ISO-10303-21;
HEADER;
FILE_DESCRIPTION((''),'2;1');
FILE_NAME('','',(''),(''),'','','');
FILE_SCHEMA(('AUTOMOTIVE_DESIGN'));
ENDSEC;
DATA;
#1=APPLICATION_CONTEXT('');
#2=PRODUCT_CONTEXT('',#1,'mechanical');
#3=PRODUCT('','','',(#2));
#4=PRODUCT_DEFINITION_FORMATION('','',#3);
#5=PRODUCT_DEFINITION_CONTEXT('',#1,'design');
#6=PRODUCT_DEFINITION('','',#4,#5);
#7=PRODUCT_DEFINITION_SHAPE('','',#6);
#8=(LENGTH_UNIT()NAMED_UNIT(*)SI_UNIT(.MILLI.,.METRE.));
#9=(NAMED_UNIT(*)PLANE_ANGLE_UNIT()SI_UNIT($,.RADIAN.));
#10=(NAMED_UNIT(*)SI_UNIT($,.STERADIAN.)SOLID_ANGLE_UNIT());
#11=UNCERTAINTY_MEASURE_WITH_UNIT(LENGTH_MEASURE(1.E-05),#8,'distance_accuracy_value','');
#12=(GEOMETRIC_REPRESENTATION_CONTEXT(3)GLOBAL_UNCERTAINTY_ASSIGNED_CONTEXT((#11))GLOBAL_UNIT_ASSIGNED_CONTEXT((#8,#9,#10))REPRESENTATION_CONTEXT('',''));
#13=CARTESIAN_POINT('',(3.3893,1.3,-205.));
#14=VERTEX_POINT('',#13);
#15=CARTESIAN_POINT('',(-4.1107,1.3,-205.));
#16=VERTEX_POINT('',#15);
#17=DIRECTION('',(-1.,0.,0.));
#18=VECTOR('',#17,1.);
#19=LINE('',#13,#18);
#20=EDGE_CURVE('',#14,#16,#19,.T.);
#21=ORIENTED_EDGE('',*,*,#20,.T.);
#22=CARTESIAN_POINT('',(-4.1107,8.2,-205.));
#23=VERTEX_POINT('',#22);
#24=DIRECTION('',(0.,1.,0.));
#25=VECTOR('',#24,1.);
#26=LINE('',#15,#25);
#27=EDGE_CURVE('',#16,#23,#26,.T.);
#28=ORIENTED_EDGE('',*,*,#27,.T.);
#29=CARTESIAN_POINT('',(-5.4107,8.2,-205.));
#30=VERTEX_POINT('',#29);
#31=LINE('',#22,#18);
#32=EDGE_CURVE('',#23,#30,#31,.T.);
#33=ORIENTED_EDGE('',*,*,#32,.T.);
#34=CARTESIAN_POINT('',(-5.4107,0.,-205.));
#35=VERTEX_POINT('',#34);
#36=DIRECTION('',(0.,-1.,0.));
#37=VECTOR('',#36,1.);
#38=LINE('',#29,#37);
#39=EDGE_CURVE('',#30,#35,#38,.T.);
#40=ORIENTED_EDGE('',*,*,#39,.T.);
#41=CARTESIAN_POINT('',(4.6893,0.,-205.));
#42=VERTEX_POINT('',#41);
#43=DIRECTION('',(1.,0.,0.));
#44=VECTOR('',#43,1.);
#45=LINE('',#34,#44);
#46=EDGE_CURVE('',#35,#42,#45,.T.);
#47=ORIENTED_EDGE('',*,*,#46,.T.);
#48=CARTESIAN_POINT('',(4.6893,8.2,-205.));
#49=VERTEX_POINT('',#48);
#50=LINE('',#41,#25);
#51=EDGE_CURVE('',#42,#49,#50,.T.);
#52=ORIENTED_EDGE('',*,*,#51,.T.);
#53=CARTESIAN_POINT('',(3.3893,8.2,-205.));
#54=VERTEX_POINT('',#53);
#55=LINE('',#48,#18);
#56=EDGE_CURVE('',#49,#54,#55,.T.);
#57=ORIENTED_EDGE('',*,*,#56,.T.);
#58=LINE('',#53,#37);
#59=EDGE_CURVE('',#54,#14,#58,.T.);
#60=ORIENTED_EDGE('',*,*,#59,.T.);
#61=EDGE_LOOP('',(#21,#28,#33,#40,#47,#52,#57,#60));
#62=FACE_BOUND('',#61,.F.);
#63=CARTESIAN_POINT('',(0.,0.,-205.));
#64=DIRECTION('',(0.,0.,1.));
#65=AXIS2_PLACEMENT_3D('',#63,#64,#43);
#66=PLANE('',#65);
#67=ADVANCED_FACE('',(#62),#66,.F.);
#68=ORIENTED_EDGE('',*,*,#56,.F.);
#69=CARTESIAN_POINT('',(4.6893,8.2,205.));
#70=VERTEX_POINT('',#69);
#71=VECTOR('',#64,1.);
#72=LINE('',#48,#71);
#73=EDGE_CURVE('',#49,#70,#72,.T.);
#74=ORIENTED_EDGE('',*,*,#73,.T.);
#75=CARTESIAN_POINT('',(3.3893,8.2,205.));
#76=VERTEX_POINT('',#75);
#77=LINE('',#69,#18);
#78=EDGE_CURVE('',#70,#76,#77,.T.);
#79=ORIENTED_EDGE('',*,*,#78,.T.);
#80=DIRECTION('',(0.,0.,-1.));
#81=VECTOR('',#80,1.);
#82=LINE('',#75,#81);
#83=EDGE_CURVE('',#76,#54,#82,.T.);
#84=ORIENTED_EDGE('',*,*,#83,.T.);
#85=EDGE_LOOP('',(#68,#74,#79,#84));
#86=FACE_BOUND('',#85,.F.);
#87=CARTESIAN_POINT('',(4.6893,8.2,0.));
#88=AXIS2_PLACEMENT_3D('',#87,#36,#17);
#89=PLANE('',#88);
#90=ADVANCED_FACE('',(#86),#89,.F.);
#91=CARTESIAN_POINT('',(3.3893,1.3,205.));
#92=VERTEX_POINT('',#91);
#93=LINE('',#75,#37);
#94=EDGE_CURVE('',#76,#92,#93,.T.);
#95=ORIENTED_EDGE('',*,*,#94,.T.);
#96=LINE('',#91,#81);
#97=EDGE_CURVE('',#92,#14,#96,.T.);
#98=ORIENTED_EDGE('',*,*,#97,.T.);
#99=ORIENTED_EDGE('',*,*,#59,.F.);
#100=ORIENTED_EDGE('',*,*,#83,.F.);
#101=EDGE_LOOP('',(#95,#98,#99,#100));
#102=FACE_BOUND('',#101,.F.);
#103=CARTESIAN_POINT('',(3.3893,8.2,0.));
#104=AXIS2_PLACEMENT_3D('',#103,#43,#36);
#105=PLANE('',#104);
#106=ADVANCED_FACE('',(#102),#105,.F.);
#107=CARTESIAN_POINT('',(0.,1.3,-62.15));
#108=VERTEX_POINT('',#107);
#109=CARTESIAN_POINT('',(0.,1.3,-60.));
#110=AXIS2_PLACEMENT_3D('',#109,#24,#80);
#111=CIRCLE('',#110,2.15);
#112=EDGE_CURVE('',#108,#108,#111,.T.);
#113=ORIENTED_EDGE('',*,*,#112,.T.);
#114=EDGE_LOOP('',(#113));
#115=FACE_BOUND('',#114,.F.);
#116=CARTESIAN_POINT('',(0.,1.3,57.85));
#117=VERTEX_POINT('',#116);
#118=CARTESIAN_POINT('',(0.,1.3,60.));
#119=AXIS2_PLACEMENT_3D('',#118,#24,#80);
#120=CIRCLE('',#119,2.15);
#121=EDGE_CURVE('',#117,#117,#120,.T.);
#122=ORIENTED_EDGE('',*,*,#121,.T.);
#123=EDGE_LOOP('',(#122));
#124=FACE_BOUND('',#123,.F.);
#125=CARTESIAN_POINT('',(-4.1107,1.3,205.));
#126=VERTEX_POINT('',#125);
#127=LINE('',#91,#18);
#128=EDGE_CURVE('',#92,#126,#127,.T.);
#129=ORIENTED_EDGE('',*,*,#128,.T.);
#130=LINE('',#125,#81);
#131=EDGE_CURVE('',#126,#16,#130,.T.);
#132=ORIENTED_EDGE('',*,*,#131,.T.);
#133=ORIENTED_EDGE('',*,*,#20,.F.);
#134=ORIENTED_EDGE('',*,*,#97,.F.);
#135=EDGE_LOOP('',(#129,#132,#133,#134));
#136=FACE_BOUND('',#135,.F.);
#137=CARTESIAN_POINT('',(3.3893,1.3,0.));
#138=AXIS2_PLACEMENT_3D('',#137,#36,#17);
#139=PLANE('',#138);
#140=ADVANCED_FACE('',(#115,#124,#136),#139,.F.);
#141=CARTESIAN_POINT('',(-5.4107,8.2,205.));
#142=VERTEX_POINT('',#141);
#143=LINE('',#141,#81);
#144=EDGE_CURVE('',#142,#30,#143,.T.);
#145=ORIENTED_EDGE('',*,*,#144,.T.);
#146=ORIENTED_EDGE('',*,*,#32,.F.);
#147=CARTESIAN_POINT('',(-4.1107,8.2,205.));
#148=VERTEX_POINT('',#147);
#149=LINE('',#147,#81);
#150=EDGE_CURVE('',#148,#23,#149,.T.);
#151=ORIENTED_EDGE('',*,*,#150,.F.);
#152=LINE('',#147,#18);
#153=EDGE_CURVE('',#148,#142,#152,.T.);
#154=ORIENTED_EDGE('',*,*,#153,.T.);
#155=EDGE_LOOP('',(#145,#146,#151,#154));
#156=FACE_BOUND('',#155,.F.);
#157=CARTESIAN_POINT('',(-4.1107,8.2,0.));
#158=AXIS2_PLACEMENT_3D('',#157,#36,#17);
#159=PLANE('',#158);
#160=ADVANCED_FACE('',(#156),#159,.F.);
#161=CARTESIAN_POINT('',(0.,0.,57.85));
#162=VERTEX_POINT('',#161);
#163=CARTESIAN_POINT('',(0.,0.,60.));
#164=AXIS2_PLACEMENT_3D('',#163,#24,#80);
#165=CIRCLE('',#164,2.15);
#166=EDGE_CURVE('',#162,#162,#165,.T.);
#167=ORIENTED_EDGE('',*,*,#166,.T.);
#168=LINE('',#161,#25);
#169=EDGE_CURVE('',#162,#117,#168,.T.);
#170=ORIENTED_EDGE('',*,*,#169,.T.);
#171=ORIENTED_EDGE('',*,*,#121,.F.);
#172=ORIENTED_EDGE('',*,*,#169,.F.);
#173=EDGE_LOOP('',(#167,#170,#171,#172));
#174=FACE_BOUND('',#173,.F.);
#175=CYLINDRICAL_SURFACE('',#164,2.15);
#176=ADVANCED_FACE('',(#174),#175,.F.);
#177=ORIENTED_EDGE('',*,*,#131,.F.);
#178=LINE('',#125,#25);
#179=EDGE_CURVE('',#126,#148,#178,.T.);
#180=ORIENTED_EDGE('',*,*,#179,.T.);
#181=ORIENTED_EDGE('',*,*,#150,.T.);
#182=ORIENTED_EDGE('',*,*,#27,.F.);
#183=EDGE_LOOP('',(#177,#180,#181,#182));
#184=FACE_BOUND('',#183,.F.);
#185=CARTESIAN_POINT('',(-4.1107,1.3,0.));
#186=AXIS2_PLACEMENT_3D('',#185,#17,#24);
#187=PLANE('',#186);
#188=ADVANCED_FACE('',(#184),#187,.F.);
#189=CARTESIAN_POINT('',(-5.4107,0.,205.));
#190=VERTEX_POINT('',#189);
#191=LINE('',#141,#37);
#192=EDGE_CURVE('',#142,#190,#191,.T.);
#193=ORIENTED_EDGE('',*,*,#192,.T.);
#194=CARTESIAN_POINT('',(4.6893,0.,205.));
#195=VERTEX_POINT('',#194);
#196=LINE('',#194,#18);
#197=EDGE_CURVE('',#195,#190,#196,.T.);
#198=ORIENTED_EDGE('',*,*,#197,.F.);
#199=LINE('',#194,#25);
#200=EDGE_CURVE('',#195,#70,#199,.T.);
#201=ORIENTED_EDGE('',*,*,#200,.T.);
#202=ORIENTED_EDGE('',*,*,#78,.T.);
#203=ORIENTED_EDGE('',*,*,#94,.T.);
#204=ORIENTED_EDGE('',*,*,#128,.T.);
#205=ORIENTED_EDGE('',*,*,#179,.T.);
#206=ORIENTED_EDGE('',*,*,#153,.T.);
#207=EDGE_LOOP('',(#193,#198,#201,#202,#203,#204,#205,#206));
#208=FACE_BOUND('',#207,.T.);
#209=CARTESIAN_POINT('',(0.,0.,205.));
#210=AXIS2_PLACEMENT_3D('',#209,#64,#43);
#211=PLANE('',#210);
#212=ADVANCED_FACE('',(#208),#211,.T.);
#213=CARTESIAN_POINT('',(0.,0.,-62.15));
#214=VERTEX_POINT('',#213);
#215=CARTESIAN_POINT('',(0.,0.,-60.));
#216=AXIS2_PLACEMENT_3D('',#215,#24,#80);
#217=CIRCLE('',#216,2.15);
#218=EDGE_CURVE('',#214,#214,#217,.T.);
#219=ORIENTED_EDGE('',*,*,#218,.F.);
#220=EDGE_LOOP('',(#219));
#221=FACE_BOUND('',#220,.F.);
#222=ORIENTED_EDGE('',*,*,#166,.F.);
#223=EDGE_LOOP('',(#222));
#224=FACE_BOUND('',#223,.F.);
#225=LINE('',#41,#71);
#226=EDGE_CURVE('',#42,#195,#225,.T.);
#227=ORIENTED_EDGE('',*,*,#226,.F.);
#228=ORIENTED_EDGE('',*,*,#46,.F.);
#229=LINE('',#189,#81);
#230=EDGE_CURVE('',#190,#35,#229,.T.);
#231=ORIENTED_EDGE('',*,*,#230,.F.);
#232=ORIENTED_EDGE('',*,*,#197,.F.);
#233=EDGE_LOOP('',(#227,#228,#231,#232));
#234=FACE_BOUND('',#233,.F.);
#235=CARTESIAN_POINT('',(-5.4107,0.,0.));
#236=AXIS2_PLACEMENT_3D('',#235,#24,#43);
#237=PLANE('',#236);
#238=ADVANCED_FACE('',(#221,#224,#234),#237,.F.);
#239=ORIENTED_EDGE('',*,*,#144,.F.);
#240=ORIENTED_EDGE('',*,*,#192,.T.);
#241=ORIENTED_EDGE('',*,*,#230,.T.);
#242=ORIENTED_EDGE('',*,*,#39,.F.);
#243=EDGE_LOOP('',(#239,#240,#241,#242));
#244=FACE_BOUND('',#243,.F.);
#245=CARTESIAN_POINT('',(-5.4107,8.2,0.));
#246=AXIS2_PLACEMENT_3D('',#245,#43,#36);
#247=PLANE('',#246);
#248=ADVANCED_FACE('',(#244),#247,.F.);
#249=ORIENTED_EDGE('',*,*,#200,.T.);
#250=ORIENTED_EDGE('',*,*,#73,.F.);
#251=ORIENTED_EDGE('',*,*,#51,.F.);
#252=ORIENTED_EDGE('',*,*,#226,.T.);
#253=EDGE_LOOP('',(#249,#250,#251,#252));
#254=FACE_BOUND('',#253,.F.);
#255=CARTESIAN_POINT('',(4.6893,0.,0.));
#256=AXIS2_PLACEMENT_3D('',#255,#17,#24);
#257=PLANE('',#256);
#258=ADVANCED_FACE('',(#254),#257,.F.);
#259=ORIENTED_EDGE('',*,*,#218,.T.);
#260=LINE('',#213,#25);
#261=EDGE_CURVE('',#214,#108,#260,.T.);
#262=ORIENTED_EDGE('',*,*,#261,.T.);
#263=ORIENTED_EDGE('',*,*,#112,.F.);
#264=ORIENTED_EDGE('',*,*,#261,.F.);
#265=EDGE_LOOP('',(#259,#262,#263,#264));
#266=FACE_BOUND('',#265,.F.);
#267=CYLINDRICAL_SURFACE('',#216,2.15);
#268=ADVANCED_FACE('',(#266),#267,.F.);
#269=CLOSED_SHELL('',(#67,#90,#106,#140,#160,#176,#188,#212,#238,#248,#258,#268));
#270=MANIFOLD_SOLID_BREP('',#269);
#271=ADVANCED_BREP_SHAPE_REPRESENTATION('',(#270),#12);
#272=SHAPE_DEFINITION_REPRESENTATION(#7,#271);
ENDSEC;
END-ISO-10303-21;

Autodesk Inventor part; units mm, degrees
ref_plane "YZ Plane" through (0, 0, 0) normal (1, 0, 0) x (0, 1, 0)
ref_plane "XZ Plane" through (0, 0, 0) normal (0, 1, 0) x (-1, 0, 0)
ref_plane "XY Plane" through (0, 0, 0) normal (0, 0, 1) x (1, 0, 0)
sketch "Skizze1" plane through (0, 0, 0) normal (0, 0, 1) x (1, 0, 0)
  line L0 (0, 0) -> (4.6893, 0)
  line L1 (4.6893, 0) -> (4.6893, 8.2)
  line L2 (4.6893, 8.2) -> (3.3893, 8.2)
  line L3 (3.3893, 8.2) -> (3.3893, 1.3)
  line L4 (3.3893, 1.3) -> (-4.1107, 1.3)
  line L5 (-4.1107, 1.3) -> (-4.1107, 8.2)
  line L6 (-4.1107, 8.2) -> (-5.4107, 8.2)
  line L7 (-5.4107, 8.2) -> (-5.4107, 0)
  line L8 (-5.4107, 0) -> (0, 0)
  line L9 (0, 8.5935) -> (0, -2.965) construction
  dimension "d0" = 10.1
  dimension "d2" = 8.2
  dimension "d3" = 8.2
  dimension "d4" = 1.3
  dimension "d5" = 1.3
  dimension "d6" = 1.3
extrude "Extrusion1" add sketch "Skizze1" along normal mid plane 410
sketch "Skizze2" plane through (-5.4107, 0, 205) normal (0, -1, 0) x (1, 0, 0)
  point P0 (5.4107, -205)
  point P1 (5.4107, -145)
  point P2 (5.4107, -265)
  dimension "d9" = 60
  dimension "d10" = 60
  dimension "d11" = 0
  dimension "d12" = 0
hole "Bohrung1" at (0, 0, 60) at (0, 0, -60) direction (0, 1, 0) diameter 4.3 end through all
properties part number "stab"
